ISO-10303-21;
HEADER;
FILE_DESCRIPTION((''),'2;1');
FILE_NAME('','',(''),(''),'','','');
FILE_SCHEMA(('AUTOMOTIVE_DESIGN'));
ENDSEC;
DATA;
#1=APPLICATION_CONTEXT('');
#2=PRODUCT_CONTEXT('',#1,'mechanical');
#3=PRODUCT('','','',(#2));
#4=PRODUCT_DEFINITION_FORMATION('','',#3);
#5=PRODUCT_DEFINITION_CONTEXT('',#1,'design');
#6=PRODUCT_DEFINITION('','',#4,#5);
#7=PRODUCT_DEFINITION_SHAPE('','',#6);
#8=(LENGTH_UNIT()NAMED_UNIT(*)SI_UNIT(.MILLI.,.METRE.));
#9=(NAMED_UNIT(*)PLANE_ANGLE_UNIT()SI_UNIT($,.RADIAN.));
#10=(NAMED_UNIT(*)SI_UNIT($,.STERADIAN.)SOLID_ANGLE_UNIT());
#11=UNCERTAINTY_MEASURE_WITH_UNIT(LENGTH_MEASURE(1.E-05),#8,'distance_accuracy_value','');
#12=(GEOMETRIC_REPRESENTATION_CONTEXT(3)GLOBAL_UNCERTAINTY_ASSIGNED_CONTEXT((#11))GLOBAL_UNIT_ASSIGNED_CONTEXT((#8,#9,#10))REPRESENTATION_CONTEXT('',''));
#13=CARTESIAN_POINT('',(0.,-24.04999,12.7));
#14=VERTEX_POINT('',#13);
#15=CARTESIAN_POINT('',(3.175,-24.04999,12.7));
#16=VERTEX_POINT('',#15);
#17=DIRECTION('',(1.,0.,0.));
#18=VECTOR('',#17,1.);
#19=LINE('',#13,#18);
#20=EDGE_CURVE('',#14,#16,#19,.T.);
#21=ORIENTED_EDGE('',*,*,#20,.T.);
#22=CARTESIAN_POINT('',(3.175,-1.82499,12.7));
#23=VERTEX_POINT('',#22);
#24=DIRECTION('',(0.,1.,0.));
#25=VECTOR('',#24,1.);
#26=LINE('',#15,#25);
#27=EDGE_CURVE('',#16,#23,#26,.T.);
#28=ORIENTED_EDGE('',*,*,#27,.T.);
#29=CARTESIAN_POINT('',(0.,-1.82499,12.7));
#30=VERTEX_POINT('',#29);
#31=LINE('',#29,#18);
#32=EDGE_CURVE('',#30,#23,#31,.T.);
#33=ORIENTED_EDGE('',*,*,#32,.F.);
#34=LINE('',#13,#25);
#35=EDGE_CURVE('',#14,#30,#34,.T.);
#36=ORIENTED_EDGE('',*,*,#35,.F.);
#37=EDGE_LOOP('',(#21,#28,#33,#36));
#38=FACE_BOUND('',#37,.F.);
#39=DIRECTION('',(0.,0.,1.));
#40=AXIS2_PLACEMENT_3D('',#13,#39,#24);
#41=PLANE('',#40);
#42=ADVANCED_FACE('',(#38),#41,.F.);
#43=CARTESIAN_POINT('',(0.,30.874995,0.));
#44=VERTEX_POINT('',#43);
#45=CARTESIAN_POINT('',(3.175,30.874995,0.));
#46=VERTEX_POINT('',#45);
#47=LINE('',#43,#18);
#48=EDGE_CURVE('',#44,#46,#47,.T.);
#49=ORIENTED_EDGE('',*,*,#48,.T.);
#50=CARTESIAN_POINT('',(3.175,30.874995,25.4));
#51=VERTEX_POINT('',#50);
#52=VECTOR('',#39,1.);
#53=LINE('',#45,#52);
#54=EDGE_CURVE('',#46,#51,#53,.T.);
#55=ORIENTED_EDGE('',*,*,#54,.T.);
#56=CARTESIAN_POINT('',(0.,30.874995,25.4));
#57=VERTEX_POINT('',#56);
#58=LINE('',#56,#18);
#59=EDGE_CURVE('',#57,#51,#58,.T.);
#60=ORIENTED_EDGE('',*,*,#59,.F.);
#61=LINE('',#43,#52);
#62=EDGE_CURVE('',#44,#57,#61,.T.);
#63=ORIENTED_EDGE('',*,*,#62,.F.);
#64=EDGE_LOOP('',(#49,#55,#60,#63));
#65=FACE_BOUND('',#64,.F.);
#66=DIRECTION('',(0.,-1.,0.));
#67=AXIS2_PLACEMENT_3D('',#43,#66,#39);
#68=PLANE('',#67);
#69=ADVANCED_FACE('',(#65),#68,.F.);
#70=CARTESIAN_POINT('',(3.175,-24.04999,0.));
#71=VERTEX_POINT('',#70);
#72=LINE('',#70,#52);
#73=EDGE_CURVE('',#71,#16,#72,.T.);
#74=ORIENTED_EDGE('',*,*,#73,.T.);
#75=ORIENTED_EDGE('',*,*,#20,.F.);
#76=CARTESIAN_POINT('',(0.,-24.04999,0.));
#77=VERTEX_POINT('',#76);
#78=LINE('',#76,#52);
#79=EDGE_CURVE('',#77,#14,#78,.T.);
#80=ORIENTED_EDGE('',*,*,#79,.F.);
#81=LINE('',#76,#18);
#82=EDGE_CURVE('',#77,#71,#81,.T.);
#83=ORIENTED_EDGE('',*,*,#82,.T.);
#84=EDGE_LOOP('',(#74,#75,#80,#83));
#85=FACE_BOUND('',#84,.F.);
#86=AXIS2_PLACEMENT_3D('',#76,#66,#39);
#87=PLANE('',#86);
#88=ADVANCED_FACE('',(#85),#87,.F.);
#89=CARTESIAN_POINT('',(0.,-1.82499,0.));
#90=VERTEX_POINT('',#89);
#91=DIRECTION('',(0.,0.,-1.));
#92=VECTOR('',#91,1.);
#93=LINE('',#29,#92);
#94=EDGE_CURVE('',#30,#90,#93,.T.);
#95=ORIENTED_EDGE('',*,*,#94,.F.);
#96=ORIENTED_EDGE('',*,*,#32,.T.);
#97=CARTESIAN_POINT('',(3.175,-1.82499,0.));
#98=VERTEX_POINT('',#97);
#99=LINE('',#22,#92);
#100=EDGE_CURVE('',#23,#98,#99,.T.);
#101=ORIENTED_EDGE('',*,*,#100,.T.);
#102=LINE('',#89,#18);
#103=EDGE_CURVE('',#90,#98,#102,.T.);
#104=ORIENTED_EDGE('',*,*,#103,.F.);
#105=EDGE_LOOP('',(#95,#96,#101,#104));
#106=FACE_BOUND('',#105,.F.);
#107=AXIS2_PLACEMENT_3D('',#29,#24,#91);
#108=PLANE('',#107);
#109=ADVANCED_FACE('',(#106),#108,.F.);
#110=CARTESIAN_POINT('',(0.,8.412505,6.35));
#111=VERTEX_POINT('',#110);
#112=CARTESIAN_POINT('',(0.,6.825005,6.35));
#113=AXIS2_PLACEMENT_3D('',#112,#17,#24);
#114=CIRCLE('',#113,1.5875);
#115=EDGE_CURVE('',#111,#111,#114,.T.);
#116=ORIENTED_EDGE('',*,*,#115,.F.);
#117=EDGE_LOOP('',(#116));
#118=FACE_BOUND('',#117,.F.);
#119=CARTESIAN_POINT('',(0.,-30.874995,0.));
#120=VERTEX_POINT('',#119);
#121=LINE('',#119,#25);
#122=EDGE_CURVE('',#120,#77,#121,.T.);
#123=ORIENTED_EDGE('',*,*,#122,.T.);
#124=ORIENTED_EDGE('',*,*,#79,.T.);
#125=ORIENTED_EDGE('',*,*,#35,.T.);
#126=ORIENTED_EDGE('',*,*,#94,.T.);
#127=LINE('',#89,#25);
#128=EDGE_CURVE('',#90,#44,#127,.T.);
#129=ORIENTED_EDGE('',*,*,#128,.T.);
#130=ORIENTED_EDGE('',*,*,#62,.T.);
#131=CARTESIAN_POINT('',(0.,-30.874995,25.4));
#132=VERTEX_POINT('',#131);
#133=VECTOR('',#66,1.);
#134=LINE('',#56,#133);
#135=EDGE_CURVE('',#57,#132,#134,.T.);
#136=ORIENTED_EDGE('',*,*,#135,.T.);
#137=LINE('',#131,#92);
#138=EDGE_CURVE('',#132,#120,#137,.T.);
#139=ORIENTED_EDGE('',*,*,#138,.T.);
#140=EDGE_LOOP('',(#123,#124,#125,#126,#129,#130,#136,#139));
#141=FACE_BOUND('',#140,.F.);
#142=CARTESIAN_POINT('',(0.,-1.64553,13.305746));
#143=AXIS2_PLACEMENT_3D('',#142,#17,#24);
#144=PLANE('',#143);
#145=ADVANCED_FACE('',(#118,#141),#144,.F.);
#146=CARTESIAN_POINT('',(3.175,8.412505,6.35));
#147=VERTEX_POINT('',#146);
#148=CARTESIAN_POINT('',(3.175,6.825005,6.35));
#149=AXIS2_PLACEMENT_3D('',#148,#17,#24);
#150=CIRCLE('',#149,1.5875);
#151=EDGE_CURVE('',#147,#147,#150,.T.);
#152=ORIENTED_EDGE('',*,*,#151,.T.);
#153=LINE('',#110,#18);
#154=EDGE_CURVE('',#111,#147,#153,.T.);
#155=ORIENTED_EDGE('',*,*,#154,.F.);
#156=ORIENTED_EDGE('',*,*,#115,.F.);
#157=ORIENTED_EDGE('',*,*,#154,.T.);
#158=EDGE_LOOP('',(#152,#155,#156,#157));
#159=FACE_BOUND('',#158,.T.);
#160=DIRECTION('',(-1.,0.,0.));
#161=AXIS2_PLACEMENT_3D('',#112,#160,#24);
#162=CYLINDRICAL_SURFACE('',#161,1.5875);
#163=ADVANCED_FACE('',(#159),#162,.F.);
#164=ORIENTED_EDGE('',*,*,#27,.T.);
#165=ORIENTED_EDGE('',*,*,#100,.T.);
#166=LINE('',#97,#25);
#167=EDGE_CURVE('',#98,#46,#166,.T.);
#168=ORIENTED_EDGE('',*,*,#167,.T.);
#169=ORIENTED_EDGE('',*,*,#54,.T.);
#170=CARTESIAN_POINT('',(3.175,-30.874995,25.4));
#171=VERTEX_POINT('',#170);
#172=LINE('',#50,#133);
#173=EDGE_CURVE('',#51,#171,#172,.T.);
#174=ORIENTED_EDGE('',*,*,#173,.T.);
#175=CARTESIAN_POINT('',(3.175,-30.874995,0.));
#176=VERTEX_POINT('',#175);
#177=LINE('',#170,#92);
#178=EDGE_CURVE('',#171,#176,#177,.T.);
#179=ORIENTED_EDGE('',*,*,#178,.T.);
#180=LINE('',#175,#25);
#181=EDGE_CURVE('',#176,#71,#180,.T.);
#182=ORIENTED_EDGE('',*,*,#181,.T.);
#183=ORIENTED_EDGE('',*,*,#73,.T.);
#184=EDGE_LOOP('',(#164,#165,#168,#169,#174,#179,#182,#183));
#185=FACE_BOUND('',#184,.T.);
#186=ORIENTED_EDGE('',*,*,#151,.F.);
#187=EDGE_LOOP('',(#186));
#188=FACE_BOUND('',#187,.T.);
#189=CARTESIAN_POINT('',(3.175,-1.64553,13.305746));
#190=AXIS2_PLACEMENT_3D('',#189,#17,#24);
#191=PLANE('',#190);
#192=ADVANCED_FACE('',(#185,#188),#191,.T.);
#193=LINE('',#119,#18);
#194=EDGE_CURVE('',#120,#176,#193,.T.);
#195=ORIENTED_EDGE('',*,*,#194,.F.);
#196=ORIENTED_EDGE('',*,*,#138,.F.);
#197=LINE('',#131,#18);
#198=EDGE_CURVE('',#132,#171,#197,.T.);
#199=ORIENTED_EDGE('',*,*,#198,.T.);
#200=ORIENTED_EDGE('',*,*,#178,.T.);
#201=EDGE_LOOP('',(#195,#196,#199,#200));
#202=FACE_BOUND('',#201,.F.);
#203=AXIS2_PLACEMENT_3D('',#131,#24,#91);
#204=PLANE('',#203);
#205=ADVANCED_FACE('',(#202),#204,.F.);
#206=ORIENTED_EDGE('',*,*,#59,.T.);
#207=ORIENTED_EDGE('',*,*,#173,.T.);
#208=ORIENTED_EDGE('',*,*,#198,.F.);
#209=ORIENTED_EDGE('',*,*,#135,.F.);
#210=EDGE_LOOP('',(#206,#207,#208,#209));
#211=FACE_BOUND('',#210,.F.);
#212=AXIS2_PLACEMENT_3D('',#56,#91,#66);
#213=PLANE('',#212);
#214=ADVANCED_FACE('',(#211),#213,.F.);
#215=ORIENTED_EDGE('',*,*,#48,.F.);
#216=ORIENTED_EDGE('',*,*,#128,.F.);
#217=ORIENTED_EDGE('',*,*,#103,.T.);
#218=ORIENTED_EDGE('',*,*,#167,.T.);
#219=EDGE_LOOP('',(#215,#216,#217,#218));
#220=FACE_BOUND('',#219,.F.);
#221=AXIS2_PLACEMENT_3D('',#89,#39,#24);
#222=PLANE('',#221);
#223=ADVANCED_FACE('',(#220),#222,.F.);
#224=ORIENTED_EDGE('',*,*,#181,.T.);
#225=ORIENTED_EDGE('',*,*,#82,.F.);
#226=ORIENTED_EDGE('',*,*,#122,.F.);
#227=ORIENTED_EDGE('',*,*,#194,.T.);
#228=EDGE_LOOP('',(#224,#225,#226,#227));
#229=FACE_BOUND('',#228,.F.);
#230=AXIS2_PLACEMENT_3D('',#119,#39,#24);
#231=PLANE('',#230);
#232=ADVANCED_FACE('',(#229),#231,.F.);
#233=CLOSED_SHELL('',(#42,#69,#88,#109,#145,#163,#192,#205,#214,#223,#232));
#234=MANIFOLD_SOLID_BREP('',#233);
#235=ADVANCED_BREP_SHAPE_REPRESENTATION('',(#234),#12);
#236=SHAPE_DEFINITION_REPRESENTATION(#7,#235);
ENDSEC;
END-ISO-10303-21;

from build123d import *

# Parameters (mm, degrees)
F0_R     = 1.5875
F1_DEPTH = 3.175


with BuildPart() as f1:
    # F0 (on Right) → F1 (new body)
    with BuildSketch(Plane.YZ):
        Polygon((-30.874995, 25.4), (-30.874995, 0), (-24.04999, 0), (-24.04999, 12.7), (-1.82499, 12.7), (-1.82499, 0), (30.874995, 0), (30.874995, 6.35), (30.874995, 25.4), align=None)
        with Locations((6.825005, 6.35)):
            Circle(F0_R, mode=Mode.SUBTRACT)
    extrude(amount=F1_DEPTH)


solid = f1.part
